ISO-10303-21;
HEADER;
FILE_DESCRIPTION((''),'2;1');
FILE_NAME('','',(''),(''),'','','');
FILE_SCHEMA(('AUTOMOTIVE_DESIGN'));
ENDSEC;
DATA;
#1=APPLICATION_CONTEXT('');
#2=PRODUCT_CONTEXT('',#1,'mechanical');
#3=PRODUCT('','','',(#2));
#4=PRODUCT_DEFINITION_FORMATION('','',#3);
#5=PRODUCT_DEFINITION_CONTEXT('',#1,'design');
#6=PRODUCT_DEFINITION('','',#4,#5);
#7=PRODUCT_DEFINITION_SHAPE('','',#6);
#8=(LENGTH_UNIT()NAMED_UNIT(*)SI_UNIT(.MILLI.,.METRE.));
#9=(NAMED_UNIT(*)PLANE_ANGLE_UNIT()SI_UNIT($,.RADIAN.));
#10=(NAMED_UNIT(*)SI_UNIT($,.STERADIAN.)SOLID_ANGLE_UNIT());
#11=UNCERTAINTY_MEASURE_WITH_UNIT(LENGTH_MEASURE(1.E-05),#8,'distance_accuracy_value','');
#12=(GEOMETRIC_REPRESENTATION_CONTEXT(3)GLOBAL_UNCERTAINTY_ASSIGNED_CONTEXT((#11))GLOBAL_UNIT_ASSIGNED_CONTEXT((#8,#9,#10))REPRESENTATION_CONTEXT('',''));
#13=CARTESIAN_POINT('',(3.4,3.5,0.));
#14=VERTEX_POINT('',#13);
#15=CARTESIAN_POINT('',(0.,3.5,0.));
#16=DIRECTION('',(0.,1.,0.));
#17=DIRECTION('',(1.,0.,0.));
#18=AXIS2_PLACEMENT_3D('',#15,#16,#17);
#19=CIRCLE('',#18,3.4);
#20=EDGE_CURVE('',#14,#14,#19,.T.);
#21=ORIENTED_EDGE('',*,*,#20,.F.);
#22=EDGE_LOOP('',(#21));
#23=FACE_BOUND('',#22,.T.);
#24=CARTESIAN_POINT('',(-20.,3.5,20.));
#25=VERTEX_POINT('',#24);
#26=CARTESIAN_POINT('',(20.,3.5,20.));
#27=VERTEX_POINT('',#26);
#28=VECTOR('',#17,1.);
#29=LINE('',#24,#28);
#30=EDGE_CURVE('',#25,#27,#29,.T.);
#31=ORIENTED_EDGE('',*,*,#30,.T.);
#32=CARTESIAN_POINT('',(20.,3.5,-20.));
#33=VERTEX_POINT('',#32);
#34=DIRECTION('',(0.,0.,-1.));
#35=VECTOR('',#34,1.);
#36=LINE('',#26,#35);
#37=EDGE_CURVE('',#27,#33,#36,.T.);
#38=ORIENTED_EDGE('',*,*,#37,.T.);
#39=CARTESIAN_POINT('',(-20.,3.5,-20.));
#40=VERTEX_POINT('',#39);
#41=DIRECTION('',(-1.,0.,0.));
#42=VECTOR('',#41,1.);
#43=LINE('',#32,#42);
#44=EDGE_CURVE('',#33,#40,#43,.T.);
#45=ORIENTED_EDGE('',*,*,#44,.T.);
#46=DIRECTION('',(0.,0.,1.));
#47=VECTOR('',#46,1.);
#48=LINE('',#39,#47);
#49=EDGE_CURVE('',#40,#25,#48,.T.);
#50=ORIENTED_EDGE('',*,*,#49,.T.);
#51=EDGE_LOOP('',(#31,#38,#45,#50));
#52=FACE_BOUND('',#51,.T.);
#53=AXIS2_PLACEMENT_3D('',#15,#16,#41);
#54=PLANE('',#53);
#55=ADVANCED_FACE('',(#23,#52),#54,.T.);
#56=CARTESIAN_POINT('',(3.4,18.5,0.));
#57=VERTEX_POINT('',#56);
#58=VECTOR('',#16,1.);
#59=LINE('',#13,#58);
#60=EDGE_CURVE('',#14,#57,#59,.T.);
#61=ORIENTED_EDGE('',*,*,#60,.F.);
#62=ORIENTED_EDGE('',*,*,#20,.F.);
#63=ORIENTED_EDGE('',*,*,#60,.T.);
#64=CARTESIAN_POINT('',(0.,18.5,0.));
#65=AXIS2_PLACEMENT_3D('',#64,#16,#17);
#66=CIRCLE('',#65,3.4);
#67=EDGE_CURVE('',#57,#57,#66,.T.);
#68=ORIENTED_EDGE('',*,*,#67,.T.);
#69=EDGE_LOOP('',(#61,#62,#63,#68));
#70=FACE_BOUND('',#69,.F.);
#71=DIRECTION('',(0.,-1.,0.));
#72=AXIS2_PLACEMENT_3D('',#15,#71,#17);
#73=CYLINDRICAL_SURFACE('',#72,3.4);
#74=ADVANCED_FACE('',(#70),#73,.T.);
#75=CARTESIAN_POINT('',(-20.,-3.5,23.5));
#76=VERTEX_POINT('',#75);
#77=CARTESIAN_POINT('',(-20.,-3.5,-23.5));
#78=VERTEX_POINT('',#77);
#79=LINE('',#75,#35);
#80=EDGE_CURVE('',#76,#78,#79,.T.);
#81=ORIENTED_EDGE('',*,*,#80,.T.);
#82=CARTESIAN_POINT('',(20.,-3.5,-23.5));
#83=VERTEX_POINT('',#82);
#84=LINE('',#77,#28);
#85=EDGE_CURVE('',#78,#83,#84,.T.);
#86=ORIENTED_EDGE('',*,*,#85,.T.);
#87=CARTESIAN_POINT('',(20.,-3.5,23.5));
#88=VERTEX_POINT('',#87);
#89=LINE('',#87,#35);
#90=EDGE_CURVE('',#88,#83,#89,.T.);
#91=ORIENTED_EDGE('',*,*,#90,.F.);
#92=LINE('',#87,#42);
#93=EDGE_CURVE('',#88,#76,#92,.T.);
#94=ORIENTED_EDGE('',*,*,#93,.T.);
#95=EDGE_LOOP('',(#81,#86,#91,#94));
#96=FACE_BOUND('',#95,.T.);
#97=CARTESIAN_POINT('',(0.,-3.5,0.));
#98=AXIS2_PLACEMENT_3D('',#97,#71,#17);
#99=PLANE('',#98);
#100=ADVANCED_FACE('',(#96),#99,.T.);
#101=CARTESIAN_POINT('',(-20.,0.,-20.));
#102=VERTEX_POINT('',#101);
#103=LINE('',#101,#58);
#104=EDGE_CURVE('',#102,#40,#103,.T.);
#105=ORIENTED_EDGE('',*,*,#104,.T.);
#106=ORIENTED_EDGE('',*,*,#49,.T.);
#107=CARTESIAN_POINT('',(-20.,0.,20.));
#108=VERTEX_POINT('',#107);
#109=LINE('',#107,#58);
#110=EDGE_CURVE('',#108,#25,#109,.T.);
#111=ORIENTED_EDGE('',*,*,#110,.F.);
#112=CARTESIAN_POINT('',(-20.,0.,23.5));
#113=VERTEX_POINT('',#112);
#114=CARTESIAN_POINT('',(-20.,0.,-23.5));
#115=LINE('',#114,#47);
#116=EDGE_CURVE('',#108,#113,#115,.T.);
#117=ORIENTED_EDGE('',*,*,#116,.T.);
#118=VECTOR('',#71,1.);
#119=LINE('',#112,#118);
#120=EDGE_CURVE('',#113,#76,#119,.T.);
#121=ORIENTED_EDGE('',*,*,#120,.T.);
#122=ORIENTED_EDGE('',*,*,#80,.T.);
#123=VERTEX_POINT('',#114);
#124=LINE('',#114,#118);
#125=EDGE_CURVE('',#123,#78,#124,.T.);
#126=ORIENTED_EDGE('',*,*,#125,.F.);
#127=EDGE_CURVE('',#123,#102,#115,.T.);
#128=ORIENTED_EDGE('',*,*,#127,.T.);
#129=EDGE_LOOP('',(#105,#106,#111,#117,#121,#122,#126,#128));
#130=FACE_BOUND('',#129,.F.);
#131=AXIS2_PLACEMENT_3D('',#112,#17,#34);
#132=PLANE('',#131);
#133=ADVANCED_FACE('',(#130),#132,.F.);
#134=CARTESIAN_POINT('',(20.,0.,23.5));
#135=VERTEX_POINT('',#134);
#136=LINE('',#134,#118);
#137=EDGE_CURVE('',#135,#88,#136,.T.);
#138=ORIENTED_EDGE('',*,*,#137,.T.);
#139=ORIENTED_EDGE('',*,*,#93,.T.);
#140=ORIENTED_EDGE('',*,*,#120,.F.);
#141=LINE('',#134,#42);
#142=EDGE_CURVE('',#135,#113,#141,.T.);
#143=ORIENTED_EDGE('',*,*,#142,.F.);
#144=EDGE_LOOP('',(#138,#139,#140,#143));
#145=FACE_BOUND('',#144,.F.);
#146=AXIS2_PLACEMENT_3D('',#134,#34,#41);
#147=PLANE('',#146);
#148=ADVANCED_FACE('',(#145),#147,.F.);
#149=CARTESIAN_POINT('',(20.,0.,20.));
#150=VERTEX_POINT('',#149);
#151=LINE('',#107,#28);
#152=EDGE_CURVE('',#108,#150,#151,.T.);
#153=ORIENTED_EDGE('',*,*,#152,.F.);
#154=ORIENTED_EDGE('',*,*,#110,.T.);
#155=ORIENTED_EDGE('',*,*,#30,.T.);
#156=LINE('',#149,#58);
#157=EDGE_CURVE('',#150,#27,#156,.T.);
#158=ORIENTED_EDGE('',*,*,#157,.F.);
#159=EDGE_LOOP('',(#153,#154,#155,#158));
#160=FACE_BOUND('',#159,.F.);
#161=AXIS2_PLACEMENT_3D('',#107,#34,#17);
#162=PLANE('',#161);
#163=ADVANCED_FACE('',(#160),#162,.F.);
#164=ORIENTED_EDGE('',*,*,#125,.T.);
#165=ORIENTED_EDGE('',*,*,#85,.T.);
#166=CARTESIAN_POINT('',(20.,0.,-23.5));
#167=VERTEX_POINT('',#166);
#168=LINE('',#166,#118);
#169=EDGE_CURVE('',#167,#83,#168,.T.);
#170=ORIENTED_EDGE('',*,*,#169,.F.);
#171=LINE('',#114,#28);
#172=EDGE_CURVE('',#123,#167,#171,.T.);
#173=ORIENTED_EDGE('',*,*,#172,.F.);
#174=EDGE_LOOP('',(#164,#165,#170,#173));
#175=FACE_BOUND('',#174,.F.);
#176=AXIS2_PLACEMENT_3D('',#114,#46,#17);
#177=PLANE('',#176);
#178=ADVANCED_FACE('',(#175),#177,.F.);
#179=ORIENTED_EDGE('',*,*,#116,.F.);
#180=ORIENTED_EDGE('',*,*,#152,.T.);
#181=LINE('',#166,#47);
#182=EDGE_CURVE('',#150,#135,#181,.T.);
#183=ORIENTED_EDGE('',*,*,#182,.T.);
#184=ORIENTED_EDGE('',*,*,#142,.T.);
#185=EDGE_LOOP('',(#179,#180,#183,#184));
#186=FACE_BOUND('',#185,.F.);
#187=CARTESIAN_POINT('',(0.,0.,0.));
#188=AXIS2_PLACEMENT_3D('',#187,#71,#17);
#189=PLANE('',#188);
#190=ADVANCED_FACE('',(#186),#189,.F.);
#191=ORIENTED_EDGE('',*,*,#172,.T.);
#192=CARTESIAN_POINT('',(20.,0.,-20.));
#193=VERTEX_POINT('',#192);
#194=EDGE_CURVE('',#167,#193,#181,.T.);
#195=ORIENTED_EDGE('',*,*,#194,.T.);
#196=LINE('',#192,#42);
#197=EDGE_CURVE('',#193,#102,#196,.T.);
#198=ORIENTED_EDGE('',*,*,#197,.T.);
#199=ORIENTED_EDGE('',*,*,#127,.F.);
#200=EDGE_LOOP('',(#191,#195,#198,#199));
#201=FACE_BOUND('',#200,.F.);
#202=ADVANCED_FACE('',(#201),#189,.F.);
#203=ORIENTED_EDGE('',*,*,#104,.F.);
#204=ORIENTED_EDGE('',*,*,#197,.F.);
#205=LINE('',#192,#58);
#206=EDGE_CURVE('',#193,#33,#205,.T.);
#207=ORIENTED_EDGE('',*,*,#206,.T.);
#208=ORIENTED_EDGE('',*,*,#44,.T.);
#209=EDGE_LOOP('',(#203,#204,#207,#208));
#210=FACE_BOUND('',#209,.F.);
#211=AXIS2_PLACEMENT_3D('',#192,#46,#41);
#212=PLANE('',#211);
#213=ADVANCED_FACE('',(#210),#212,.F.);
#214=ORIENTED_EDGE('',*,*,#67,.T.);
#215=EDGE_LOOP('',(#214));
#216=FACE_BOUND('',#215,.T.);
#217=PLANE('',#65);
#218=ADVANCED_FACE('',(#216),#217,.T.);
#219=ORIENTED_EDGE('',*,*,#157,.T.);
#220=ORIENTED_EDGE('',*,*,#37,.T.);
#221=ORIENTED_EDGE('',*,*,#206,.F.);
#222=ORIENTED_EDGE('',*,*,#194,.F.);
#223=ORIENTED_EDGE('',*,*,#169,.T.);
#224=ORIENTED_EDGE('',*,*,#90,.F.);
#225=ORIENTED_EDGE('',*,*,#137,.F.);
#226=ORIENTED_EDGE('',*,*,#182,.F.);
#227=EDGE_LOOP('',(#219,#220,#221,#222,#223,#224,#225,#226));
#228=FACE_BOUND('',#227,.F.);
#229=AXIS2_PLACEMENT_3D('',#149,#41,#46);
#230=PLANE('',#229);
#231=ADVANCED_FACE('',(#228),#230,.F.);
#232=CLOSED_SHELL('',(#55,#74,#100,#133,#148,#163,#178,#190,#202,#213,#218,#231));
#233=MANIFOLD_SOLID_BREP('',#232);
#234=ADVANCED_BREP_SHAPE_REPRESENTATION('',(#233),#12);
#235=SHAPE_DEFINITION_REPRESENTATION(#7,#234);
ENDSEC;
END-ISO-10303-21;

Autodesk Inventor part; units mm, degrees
ref_plane "YZ Plane" through (0, 0, 0) normal (1, 0, 0) x (0, 1, 0)
ref_plane "XZ Plane" through (0, 0, 0) normal (0, 1, 0) x (-1, 0, 0)
ref_plane "XY Plane" through (0, 0, 0) normal (0, 0, 1) x (1, 0, 0)
sketch "Sketch1" plane through (0, 0, 0) normal (0, 1, 0) x (-1, 0, 0)
  line L0 (20, 20) -> (-20, 20)
  line L1 (-20, 20) -> (-20, -20)
  line L2 (-20, -20) -> (20, -20)
  line L3 (20, -20) -> (20, 20)
  point P0 (0, 0)
  point P1 (20, 0)
  point P2 (0, -20)
  dimension "d0" = 40
  dimension "d1" = 40
extrude "Extrusion1" add sketch "Sketch1" along normal blind 3.5
sketch "Sketch2" plane through (0, 0, 0) normal (0, -1, 0) x (1, 0, 0)
  line L0 (20, 23.5) -> (-20, 23.5)
  line L1 (-20, 23.5) -> (-20, -23.5)
  line L2 (-20, -23.5) -> (20, -23.5)
  line L3 (20, -23.5) -> (20, 23.5)
  line L4 (20, 20) -> (20, -20) projected
  line L5 (20, -20) -> (-20, -20) projected
  point P0 (0, 0)
  point P1 (0, -23.5)
  point P2 (20, 0)
  dimension "d5" = 3.5
extrude "Extrusion2" add sketch "Sketch2" along normal blind 3.5
sketch "Sketch3" plane through (0, 3.5, 0) normal (0, 1, 0) x (1, 0, 0)
  line L0 (-12.5, 12.5) -> (12.5, 12.5)
  line L1 (12.5, 12.5) -> (12.5, -12.5)
  line L2 (12.5, -12.5) -> (-12.5, -12.5)
  line L3 (-12.5, -12.5) -> (-12.5, 12.5)
  circle A0 centre (0, 0) radius 3.4
  point P0 (12.5, 0)
  point P1 (0, 12.5)
  dimension "d8" = 25
  dimension "d9" = 25
  dimension "d12" = 6.8
extrude "Extrusion4" add sketch "Sketch3" along normal blind 15 contours A0
properties part number "Einschub"
